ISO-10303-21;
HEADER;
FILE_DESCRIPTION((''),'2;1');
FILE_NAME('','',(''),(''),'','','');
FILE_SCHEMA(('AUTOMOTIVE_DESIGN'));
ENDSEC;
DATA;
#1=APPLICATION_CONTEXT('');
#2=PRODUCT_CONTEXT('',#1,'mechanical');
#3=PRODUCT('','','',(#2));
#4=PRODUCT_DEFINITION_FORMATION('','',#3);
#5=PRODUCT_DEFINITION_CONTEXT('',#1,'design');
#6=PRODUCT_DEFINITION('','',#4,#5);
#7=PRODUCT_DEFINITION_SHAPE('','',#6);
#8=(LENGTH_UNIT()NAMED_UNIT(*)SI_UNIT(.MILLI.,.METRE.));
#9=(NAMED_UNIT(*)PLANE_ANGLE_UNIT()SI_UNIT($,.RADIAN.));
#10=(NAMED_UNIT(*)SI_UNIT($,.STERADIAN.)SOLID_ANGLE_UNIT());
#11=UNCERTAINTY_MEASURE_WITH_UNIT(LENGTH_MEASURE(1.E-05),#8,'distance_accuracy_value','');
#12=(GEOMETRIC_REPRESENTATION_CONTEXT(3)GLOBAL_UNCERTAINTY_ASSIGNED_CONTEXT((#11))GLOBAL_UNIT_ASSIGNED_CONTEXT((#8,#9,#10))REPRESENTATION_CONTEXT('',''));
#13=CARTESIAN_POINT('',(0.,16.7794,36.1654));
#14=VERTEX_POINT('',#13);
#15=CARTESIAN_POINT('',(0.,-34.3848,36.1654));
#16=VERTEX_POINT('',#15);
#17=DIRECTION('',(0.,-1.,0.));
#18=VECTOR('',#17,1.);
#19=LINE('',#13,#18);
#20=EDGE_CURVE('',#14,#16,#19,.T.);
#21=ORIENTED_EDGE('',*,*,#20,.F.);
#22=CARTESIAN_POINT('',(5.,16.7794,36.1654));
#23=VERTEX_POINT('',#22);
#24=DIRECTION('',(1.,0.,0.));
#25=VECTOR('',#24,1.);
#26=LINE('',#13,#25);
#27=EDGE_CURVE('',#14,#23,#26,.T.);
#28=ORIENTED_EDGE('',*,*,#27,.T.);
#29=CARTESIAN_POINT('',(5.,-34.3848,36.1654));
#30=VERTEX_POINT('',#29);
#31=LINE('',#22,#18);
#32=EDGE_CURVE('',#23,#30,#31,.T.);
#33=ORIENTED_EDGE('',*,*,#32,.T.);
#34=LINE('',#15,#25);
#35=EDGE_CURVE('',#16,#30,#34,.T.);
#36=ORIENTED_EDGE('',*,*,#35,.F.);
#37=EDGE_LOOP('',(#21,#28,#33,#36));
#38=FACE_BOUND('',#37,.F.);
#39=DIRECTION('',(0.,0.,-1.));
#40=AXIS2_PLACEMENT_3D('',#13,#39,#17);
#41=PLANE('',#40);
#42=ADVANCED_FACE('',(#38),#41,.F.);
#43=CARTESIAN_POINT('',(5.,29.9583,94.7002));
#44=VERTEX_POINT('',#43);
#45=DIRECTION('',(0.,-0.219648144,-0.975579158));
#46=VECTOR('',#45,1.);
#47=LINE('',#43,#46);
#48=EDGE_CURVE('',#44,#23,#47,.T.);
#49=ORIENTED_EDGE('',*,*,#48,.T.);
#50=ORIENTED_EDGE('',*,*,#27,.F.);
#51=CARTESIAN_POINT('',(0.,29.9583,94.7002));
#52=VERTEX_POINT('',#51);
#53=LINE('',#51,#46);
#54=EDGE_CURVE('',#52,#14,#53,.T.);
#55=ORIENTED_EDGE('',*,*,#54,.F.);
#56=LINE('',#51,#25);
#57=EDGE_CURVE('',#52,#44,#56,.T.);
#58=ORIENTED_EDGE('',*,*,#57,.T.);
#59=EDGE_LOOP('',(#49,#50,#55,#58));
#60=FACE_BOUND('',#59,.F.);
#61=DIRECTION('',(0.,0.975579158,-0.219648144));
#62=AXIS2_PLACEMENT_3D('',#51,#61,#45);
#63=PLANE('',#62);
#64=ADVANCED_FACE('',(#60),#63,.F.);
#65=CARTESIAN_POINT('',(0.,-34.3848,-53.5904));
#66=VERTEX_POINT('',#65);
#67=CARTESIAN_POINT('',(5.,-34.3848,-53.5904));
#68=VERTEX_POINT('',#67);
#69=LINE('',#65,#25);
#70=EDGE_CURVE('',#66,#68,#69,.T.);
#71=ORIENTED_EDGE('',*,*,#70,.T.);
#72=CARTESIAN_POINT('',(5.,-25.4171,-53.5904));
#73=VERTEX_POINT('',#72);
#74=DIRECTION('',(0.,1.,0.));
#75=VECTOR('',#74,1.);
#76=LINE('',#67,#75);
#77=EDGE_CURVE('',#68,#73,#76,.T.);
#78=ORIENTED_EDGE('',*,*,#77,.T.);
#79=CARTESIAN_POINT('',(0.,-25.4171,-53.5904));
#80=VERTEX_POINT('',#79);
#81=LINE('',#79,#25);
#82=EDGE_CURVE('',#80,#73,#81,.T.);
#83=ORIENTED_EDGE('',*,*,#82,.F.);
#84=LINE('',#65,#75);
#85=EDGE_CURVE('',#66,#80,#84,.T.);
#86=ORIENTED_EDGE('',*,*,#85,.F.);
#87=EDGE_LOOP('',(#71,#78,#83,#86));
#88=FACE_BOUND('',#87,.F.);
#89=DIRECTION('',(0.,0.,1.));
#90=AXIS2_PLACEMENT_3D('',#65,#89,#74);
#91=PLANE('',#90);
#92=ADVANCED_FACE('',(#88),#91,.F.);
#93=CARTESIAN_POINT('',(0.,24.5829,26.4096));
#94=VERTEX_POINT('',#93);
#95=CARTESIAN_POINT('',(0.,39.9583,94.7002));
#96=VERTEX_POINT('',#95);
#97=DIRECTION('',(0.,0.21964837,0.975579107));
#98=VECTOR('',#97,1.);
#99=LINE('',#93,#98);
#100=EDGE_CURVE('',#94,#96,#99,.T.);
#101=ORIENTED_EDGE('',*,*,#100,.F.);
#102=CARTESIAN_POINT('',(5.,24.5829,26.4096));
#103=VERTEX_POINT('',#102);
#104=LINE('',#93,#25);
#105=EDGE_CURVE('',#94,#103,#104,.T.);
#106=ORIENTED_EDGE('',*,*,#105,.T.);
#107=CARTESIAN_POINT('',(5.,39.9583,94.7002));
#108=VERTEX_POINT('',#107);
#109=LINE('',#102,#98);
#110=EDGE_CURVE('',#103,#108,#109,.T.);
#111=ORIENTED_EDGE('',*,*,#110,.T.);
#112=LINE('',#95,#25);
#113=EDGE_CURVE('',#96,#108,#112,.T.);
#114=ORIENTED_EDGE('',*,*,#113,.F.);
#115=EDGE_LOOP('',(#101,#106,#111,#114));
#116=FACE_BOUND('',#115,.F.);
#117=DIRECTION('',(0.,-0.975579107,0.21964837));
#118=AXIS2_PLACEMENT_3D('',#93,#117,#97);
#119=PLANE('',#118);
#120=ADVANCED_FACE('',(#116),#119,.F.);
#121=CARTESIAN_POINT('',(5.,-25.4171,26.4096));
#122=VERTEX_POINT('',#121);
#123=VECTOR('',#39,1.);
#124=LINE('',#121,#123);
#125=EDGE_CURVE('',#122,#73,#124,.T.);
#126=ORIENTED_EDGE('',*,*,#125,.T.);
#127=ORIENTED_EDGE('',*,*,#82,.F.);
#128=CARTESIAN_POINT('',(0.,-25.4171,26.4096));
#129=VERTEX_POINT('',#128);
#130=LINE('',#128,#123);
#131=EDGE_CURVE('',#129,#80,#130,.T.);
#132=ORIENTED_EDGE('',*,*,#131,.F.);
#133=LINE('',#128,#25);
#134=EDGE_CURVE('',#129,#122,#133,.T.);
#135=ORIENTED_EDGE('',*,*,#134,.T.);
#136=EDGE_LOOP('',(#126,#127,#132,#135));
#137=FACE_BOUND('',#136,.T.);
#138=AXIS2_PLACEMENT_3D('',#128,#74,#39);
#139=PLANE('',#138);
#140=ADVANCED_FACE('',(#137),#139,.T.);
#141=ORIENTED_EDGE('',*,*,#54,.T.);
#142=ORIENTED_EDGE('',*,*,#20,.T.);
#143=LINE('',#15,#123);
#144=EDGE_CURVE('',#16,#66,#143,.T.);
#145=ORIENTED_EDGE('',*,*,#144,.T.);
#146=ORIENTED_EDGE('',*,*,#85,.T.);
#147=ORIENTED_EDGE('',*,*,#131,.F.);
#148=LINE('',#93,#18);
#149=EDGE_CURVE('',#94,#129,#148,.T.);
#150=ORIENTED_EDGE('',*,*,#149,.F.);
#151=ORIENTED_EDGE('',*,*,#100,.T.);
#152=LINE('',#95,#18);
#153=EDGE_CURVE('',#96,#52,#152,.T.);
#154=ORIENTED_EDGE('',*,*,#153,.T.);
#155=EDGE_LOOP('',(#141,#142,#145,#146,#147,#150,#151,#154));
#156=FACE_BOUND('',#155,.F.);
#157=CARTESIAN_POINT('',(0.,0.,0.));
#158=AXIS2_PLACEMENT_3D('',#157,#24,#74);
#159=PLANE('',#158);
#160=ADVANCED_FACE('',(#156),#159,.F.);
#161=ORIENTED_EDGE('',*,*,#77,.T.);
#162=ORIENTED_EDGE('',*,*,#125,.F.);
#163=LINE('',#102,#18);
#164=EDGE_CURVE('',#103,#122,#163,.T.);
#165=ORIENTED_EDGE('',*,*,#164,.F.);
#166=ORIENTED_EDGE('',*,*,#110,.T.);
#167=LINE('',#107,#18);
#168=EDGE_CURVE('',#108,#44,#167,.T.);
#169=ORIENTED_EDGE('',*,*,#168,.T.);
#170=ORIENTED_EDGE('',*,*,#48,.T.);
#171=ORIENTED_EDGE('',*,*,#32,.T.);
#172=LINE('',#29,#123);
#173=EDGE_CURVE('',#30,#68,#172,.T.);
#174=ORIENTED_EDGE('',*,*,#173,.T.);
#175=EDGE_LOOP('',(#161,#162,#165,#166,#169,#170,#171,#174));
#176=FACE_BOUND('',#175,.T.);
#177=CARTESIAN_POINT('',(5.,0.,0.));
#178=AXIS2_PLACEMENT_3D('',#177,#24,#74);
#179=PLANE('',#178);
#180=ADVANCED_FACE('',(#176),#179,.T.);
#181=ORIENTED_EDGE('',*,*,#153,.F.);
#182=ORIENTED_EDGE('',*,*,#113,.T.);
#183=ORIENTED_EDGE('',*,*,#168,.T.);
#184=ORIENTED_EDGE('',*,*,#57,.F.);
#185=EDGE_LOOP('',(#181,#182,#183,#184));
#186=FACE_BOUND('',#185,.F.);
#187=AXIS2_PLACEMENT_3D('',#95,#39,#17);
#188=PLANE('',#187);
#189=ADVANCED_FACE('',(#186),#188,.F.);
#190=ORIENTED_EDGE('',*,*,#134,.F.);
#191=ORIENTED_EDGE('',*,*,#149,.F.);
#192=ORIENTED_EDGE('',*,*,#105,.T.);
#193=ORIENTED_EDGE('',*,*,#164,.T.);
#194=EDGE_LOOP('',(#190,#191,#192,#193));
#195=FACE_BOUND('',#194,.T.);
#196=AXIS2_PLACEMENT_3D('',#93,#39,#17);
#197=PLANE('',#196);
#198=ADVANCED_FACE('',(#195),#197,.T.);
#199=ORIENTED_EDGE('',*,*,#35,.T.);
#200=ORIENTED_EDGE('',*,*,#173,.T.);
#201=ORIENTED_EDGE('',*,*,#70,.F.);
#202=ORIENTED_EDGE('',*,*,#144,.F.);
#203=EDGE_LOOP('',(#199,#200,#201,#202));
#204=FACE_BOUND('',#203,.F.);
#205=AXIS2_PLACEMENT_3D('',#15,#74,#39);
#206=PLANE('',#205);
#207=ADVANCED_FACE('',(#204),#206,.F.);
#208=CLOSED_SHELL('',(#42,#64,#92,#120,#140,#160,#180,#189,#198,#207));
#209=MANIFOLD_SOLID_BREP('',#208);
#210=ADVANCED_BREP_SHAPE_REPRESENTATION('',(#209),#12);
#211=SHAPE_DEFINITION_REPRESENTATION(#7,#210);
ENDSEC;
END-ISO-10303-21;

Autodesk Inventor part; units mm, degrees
ref_plane "YZ Plane" through (0, 0, 0) normal (1, 0, 0) x (0, 1, 0)
ref_plane "XZ Plane" through (0, 0, 0) normal (0, 1, 0) x (-1, 0, 0)
ref_plane "XY Plane" through (0, 0, 0) normal (0, 0, 1) x (1, 0, 0)
sketch "Esquisse1" plane through (0, 0, 0) normal (1, 0, 0) x (0, 1, 0)
  circle A0 centre (0, 0) radius 22.5 construction
  line L0 (24.5829, 26.4096) -> (-25.4171, 26.4096)
  line L1 (-25.4171, 26.4096) -> (-25.4171, -53.5904)
  line L2 (24.5829, 26.4096) -> (39.9583, 94.7002)
  line L3 (39.9583, 94.7002) -> (29.9583, 94.7002)
  line L4 (29.9583, 94.7002) -> (16.7794, 36.1654)
  line L5 (16.7794, 36.1654) -> (-34.3848, 36.1654)
  line L6 (-34.3848, 36.1654) -> (-34.3848, -53.5904)
  line L7 (-34.3848, -53.5904) -> (-25.4171, -53.5904)
  dimension "d0" = 45
  dimension "d1" = 50
  dimension "d2" = 80
  dimension "d3" = 70
  dimension "d4" = 10
  dimension "d5" = 60
  dimension "d6" = 102.688
  dimension "d7" = 102.688
  dimension "d8" = 51.1642
extrude "Extrusion1" add sketch "Esquisse1" along normal blind 5
